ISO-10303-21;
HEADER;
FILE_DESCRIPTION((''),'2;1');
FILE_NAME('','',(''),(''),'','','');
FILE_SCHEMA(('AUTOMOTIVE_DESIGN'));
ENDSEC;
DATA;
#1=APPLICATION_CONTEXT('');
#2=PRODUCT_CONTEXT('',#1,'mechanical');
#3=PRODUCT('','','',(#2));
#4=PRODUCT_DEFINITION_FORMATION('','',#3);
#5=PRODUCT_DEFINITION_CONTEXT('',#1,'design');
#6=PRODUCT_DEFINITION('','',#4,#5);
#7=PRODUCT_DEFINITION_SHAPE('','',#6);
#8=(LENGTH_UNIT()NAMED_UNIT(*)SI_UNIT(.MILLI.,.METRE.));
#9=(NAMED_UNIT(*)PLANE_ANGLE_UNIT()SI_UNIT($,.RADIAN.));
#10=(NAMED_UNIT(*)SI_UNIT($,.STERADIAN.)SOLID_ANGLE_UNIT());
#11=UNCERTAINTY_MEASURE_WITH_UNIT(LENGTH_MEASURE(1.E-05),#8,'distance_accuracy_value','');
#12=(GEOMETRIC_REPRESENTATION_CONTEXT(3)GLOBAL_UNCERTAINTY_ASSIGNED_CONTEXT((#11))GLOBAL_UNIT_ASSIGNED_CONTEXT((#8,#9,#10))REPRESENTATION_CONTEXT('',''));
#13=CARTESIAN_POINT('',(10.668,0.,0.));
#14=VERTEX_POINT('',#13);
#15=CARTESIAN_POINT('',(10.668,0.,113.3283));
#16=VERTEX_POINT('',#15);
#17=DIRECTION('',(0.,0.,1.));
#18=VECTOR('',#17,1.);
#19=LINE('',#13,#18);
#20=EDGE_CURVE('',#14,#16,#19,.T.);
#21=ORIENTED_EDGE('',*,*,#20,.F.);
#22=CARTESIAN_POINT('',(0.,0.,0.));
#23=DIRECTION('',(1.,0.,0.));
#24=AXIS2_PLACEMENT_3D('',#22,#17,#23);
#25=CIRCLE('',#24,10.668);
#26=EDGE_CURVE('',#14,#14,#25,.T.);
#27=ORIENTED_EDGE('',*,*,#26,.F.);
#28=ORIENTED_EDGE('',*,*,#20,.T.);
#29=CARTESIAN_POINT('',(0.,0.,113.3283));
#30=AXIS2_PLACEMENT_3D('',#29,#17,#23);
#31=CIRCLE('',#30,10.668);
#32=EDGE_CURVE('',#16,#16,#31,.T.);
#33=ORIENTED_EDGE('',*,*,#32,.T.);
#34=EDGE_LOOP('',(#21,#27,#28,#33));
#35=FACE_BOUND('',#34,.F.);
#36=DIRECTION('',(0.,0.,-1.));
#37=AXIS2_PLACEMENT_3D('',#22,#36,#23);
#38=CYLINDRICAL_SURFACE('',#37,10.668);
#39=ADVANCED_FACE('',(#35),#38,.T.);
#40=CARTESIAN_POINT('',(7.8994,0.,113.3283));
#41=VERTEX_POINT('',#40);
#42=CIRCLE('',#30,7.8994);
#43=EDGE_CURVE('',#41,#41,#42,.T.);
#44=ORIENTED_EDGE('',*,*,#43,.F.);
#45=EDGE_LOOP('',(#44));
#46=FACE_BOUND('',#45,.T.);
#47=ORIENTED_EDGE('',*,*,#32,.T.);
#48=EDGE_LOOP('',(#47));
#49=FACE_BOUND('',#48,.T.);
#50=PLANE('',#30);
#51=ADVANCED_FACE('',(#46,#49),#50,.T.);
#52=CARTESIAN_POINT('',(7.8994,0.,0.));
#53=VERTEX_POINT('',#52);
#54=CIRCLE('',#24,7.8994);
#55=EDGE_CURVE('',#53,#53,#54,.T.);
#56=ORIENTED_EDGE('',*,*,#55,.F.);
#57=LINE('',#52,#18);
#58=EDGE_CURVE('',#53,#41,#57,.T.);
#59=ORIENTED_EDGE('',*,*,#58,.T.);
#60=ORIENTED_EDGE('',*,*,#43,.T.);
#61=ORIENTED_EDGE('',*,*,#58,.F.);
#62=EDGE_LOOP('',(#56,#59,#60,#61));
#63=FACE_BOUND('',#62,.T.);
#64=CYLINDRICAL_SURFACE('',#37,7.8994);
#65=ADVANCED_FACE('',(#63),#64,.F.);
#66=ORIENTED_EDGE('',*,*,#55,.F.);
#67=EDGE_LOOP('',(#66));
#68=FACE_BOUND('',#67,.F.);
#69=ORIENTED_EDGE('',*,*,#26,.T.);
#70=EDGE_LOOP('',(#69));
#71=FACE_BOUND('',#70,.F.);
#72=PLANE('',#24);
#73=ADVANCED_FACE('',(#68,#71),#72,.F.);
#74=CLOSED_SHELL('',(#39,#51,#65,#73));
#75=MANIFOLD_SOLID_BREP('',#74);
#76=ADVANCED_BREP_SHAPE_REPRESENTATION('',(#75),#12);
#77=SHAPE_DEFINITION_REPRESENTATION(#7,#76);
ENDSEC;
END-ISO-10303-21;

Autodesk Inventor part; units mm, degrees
ref_plane "YZ Plane" through (0, 0, 0) normal (1, 0, 0) x (0, 1, 0)
ref_plane "Start Plane" through (0, 0, 0) normal (0, 0, 1) x (1, 0, 0)
ref_plane "End Plane" through (0, 0, 113.3283) normal (0, 0, 1) x (1, 0, 0)
sketch "Sketch" plane through (0, 0, 0) normal (0, 0, 1) x (1, 0, 0)
  circle A0 centre (0, 0) radius 7.8994
  circle A1 centre (0, 0) radius 10.668
  dimension "d0" = 21.336
  dimension "d1" = 2.7686
extrude "Body" add sketch "Sketch" along normal up to surface (113.3283 mm away) from surface at 0
sketch "Sketch3" plane through (0, 0, 0) normal (0, 0, 1) x (1, 0, 0)
  line L0 (0, 0) -> (10, 0)
ref_plane "Work Plane3" through (0, 0, 0) normal (0, -1, 0) x (1, 0, 0)
sketch "Sketch4" plane through (0, 0, 0) normal (0, -1, 0) x (1, 0, 0)
  line L0 (-2, 0) -> (12, 0) projected
  line L1 (-2, 113.3283) -> (12, 113.3283) projected
  dimension "d7" = 113.3283
equation "\"d0\" = G_H"
equation "\"d1\" = G_T"
equation "\"d2\" = G_L"
equation "\"G_H\" = 21.336"
equation "\"G_T\" = 2.7686"
equation "\"G_L\" = d7"
equation "\"G_OFFSET_START\" = 0"
equation "\"G_OFFSET_END\" = 0"
equation "\"d5\" = G_OFFSET_END + B_L"
equation "\"B_L\" = 113.32827"
properties part number "ANSI - 1/2 x 0.109 - 4.462" material "Steel, Mild"
